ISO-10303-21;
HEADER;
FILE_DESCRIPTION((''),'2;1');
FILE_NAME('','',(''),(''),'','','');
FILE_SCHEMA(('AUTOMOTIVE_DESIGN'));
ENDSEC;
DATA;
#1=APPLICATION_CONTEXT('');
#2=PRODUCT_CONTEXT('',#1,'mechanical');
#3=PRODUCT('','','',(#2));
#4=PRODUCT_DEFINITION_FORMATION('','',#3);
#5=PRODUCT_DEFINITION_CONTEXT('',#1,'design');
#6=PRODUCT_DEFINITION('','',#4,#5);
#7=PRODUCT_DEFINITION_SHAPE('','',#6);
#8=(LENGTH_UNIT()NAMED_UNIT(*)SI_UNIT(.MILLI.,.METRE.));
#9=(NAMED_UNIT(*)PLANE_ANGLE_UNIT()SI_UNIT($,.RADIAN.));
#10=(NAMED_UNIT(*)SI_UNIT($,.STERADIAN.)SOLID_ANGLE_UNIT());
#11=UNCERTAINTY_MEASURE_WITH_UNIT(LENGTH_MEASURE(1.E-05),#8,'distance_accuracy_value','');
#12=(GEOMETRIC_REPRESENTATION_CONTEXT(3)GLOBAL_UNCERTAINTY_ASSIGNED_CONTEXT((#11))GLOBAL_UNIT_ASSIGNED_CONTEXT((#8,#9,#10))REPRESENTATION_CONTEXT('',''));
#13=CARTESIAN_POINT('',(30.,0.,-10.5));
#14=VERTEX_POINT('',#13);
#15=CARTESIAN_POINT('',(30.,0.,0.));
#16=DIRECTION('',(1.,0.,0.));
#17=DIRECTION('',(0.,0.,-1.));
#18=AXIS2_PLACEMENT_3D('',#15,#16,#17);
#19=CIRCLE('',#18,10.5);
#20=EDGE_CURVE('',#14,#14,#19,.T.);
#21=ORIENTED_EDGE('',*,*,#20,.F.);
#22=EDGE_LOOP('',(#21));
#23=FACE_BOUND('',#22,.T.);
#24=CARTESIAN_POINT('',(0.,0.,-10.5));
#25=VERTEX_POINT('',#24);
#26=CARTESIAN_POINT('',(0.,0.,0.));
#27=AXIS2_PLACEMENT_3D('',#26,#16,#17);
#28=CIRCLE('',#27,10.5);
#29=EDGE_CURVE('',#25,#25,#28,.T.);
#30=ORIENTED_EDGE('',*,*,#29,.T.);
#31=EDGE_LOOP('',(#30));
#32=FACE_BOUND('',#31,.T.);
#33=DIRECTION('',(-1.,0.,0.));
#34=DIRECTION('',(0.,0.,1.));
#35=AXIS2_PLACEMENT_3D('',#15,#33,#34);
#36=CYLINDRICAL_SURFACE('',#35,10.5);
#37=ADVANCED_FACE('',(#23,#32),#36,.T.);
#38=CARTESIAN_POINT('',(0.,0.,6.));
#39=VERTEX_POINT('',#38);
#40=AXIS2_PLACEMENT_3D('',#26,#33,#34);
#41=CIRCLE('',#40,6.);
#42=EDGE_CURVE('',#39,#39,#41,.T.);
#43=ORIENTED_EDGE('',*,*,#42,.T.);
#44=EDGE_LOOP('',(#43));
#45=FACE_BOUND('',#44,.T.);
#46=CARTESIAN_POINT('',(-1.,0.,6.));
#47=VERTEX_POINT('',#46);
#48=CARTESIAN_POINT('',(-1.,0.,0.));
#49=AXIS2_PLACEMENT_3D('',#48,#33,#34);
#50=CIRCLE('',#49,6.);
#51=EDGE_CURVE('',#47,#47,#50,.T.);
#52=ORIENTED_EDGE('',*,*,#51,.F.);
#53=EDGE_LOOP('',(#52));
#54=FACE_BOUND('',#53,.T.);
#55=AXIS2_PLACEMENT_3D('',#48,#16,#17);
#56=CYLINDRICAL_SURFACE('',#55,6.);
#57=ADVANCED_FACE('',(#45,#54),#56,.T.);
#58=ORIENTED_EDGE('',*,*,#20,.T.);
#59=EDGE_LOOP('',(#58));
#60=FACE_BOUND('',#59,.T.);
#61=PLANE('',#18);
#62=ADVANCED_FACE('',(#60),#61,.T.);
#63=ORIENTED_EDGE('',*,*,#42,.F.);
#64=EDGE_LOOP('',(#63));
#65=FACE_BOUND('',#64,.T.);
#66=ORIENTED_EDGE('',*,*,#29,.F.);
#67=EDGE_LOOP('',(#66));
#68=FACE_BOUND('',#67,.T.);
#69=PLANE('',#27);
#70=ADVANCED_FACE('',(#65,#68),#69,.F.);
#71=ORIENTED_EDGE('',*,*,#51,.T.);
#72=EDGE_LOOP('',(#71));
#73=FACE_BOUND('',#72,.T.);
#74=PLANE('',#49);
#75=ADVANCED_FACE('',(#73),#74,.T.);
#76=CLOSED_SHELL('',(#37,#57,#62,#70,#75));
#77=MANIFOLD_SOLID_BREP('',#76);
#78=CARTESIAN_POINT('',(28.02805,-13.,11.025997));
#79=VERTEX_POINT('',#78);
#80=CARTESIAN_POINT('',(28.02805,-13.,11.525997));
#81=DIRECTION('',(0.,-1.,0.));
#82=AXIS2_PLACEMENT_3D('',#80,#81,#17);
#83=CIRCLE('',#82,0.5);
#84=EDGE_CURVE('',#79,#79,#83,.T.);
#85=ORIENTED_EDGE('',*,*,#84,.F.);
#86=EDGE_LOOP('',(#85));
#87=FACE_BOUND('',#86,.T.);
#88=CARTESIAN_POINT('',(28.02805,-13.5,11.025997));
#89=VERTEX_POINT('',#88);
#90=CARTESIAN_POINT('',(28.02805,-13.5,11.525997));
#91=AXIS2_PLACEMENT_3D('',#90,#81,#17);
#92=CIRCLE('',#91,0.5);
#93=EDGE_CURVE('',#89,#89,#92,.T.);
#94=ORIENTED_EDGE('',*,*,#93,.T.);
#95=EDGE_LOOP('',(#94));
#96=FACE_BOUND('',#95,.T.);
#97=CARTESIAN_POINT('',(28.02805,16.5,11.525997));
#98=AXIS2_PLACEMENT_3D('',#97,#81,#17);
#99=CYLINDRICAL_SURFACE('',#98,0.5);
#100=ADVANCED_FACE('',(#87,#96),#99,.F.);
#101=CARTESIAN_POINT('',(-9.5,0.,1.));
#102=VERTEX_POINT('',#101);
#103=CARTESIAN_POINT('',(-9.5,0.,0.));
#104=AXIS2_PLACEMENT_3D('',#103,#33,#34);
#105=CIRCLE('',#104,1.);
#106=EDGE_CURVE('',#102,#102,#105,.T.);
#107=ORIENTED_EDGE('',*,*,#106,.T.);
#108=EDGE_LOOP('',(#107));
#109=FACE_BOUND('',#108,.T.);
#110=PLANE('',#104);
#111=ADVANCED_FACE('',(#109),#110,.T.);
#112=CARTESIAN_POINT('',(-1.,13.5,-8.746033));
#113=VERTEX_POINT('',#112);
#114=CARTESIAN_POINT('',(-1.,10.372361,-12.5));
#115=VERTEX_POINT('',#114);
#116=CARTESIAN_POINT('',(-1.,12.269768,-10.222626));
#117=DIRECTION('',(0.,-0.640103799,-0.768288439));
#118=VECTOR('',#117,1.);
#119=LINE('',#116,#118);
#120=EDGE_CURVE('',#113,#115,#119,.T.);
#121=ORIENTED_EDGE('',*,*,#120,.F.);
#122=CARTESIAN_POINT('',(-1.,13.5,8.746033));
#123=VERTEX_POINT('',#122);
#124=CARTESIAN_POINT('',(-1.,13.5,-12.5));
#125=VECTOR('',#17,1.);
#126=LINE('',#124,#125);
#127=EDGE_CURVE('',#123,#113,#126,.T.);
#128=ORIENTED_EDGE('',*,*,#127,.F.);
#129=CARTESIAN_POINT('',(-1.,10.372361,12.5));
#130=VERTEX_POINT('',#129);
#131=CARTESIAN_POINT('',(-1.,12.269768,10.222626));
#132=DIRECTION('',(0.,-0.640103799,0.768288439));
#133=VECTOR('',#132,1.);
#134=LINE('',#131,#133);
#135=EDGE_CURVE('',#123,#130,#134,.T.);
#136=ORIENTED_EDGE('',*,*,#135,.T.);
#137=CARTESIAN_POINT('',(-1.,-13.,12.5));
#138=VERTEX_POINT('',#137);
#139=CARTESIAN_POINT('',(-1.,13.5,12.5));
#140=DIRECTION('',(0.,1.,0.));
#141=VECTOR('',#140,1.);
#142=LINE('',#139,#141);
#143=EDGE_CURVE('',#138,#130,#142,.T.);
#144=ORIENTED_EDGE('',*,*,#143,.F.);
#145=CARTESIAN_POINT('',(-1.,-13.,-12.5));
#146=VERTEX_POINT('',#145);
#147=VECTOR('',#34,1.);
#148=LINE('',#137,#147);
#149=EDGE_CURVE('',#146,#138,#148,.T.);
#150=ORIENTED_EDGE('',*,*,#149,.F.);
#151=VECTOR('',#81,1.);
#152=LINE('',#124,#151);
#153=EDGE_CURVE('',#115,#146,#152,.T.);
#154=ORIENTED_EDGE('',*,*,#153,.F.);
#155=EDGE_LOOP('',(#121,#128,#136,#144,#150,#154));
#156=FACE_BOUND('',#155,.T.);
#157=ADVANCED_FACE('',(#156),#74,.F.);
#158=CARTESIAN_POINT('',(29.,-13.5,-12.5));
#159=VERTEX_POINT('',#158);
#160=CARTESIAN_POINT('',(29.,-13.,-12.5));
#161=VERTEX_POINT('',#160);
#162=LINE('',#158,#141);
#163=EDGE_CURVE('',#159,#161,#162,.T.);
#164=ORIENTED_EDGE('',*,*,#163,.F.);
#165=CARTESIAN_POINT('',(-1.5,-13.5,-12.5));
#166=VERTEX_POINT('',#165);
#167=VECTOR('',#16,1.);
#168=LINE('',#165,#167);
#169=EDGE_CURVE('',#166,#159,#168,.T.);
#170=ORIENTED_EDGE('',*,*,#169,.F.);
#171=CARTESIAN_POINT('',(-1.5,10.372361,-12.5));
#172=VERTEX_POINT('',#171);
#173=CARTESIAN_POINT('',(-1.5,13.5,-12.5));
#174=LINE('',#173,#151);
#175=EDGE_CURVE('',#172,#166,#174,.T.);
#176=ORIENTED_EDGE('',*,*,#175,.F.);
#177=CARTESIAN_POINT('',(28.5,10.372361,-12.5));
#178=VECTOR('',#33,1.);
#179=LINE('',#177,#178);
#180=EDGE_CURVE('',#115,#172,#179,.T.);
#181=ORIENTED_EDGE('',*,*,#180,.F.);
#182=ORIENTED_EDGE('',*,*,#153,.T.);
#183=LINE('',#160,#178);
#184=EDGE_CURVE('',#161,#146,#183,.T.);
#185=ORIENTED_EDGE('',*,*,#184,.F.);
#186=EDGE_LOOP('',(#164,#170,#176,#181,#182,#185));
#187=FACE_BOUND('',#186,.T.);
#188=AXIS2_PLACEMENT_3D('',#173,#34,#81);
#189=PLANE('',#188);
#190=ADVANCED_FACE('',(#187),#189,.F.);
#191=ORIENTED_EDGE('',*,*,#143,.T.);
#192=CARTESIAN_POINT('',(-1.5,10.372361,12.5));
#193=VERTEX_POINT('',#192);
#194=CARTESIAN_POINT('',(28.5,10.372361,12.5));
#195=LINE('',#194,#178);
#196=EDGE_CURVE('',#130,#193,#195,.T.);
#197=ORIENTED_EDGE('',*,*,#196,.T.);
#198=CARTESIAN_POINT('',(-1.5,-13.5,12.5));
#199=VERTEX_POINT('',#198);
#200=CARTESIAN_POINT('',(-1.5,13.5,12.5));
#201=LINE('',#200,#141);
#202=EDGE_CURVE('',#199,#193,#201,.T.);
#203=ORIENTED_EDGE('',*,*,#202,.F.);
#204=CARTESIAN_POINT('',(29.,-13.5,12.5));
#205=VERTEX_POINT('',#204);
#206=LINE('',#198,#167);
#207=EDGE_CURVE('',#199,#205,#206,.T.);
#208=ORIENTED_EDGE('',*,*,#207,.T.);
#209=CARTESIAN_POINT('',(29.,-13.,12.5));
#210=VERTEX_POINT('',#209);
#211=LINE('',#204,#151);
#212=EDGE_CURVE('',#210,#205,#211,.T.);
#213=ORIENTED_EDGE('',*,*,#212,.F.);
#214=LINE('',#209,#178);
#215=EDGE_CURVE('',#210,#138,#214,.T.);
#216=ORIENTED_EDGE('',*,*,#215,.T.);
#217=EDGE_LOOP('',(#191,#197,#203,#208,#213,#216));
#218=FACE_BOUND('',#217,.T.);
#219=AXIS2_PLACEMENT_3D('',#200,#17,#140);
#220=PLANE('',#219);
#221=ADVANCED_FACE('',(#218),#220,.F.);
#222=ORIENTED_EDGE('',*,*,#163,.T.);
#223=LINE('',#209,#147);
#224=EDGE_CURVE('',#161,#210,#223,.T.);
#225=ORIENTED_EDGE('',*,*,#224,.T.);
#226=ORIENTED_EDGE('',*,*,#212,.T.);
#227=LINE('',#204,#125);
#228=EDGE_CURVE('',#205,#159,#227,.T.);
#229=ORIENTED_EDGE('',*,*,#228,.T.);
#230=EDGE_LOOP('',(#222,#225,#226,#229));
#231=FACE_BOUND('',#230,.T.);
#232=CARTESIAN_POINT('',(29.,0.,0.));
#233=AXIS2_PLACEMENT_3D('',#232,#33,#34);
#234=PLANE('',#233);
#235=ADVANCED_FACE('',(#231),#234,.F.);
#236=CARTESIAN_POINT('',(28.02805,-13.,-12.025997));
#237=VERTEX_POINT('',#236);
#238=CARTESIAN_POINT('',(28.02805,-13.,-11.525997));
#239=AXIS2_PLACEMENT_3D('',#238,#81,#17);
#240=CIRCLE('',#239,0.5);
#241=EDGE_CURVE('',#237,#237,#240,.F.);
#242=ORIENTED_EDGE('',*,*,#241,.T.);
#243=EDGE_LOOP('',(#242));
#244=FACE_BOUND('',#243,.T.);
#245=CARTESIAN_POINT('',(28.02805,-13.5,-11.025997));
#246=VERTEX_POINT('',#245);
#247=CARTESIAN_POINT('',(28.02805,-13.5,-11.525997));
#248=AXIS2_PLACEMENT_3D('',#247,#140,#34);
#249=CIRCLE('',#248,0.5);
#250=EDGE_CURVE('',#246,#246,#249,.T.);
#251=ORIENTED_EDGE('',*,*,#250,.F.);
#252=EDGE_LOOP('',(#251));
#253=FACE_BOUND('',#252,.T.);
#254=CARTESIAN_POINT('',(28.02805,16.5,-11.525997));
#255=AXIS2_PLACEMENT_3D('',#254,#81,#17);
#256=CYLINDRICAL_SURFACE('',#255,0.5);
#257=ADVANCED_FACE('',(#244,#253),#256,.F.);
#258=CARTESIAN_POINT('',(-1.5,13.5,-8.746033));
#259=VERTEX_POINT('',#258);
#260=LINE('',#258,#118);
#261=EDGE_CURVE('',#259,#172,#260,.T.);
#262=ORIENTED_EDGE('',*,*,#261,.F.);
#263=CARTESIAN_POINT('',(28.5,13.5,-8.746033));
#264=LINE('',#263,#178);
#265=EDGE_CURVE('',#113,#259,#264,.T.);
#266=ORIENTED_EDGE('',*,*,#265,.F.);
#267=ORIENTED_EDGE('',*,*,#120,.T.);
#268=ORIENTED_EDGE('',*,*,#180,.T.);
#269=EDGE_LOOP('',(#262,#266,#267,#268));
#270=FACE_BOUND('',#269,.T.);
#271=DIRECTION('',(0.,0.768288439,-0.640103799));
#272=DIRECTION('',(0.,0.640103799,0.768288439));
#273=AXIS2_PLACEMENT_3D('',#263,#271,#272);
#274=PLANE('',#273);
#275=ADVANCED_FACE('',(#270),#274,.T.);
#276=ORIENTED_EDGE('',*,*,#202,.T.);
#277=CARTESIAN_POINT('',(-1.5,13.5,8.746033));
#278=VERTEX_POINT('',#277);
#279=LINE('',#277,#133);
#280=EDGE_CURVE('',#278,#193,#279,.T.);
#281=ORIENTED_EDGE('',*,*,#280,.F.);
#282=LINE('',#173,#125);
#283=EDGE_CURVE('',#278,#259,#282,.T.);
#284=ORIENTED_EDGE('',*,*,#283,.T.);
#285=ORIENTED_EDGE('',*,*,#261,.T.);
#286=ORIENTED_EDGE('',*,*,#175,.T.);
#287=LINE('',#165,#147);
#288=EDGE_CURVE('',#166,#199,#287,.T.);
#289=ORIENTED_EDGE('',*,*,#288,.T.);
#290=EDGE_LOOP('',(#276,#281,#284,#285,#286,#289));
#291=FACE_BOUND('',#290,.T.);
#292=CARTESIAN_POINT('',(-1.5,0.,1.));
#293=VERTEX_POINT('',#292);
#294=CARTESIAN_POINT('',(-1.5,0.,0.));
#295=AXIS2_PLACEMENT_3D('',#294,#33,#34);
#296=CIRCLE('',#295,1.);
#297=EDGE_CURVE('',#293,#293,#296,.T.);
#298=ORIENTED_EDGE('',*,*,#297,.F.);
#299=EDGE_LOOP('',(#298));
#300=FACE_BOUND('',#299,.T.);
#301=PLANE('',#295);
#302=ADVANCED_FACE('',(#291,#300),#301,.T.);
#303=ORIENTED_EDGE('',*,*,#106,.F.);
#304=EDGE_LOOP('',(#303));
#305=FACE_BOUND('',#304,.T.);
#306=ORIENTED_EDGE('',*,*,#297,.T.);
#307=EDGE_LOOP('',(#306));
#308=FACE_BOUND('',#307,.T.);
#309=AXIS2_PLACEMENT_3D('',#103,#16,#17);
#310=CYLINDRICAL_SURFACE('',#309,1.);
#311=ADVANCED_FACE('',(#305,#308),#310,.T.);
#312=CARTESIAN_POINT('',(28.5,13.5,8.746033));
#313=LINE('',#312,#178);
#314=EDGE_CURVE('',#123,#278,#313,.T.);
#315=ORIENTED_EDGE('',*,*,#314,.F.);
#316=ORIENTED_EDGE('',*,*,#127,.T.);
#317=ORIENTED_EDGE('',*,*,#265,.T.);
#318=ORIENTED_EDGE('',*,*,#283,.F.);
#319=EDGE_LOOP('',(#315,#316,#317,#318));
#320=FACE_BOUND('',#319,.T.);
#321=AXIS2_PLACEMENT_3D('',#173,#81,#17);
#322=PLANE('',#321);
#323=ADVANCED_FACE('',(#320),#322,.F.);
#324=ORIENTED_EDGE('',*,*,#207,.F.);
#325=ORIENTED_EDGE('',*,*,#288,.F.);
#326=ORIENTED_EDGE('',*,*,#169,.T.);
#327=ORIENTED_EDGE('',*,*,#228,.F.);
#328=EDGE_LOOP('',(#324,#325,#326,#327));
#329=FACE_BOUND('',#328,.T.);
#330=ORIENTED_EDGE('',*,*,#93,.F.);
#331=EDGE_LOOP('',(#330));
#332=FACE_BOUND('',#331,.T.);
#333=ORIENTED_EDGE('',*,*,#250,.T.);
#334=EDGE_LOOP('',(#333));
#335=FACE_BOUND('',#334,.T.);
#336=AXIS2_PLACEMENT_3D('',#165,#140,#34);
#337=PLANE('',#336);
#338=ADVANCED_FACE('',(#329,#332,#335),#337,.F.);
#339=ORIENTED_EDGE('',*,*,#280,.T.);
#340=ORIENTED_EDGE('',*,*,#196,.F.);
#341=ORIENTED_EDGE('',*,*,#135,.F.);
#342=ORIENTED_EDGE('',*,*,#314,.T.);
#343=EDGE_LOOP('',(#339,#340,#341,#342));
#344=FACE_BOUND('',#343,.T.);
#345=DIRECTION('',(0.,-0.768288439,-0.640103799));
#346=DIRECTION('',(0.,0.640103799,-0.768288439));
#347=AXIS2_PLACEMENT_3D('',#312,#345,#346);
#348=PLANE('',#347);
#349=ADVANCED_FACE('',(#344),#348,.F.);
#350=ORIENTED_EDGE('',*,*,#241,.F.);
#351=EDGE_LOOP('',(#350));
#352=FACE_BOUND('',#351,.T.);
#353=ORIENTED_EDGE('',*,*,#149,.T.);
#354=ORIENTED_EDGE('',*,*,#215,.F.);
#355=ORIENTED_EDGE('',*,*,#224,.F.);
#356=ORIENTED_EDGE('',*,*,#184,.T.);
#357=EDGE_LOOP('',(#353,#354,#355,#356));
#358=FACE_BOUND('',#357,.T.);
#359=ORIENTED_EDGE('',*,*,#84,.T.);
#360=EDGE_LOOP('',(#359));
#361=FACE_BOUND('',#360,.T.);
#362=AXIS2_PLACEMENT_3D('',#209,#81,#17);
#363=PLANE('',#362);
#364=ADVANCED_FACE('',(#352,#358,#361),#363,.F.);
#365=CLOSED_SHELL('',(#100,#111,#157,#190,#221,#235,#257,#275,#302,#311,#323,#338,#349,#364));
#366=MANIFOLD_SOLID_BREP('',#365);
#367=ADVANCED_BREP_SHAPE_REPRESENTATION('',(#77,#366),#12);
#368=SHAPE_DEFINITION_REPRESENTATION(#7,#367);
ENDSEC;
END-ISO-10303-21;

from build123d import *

# Parameters (mm, degrees)
ESQUISSE1_R             = 10.5
BOSS_EXTRU_1_DEPTH      = 30
ESQUISSE2_R             = 6
BOSS_EXTRU_2_DEPTH      = 1
ESQUISSE3_W             = 25
ESQUISSE3_H             = 27
BOSS_EXTRU_3_DEPTH      = 0.5
ESQUISSE4_W             = 25
ESQUISSE4_H             = 0.5
BOSS_EXTRU_4_DEPTH      = 30
ESQUISSE5_R             = 0.5
ENL_V_MAT_EXTRU_1_DEPTH = 30
ENL_V_MAT_EXTRU_2_DEPTH = 30
ESQUISSE7_R             = 1
BOSS_EXTRU_5_DEPTH      = 8


with BuildPart() as part:
    # Esquisse1 → Boss.-Extru.1 (new body)
    with BuildSketch(Plane(origin=(0, 0, 0), x_dir=(0, 0, -1), z_dir=(1, 0, 0))):
        Circle(ESQUISSE1_R)
    extrude(amount=BOSS_EXTRU_1_DEPTH)

    # Esquisse2 → Boss.-Extru.2 (add)
    with BuildSketch(Plane.ZY):
        Circle(ESQUISSE2_R)
    extrude(amount=BOSS_EXTRU_2_DEPTH)


with BuildPart() as body_2:
    # Esquisse3 → Boss.-Extru.3 (new body)
    with BuildSketch(Plane.ZY.offset(1)):
        Rectangle(ESQUISSE3_W, ESQUISSE3_H)
    extrude(amount=BOSS_EXTRU_3_DEPTH)

    # Esquisse4 → Boss.-Extru.4 (add)
    with BuildSketch(Plane(origin=(-1, 0, 0), x_dir=(0, 0, -1), z_dir=(1, 0, 0))):
        with Locations((0, -13.25)):
            Rectangle(ESQUISSE4_W, ESQUISSE4_H)
    extrude(amount=BOSS_EXTRU_4_DEPTH)

    # Esquisse5 → Enlèv. mat.-Extru.1 (cut)
    with BuildSketch(Plane.XZ.offset(13.5)):
        with Locations(Location((28.028049864, 11.525997246, 0), (0, 0, 270))):
            Circle(ESQUISSE5_R)
    enl_v_mat_extru_1 = extrude(amount=-ENL_V_MAT_EXTRU_1_DEPTH, mode=Mode.SUBTRACT)

    # Symétrie1: Enlèv. mat.-Extru.1 across plane
    add(enl_v_mat_extru_1.mirror(Plane.XY), mode=Mode.SUBTRACT)

    # Esquisse6 → Enlèv. mat.-Extru.2 (cut)
    with BuildSketch(Plane.ZY.offset(1.5)):
        Polygon((8.746033001, 13.5), (12.5, 10.372361451), (12.5, 13.5), align=None)
    enl_v_mat_extru_2 = extrude(amount=-ENL_V_MAT_EXTRU_2_DEPTH, mode=Mode.SUBTRACT)

    # Symétrie2: Enlèv. mat.-Extru.2 across plane
    add(enl_v_mat_extru_2.mirror(Plane.XY), mode=Mode.SUBTRACT)

    # Esquisse7 → Boss.-Extru.5 (add)
    with BuildSketch(Plane.ZY.offset(1.5)):
        Circle(ESQUISSE7_R)
    extrude(amount=BOSS_EXTRU_5_DEPTH)


solid = Compound([part.part, body_2.part])
